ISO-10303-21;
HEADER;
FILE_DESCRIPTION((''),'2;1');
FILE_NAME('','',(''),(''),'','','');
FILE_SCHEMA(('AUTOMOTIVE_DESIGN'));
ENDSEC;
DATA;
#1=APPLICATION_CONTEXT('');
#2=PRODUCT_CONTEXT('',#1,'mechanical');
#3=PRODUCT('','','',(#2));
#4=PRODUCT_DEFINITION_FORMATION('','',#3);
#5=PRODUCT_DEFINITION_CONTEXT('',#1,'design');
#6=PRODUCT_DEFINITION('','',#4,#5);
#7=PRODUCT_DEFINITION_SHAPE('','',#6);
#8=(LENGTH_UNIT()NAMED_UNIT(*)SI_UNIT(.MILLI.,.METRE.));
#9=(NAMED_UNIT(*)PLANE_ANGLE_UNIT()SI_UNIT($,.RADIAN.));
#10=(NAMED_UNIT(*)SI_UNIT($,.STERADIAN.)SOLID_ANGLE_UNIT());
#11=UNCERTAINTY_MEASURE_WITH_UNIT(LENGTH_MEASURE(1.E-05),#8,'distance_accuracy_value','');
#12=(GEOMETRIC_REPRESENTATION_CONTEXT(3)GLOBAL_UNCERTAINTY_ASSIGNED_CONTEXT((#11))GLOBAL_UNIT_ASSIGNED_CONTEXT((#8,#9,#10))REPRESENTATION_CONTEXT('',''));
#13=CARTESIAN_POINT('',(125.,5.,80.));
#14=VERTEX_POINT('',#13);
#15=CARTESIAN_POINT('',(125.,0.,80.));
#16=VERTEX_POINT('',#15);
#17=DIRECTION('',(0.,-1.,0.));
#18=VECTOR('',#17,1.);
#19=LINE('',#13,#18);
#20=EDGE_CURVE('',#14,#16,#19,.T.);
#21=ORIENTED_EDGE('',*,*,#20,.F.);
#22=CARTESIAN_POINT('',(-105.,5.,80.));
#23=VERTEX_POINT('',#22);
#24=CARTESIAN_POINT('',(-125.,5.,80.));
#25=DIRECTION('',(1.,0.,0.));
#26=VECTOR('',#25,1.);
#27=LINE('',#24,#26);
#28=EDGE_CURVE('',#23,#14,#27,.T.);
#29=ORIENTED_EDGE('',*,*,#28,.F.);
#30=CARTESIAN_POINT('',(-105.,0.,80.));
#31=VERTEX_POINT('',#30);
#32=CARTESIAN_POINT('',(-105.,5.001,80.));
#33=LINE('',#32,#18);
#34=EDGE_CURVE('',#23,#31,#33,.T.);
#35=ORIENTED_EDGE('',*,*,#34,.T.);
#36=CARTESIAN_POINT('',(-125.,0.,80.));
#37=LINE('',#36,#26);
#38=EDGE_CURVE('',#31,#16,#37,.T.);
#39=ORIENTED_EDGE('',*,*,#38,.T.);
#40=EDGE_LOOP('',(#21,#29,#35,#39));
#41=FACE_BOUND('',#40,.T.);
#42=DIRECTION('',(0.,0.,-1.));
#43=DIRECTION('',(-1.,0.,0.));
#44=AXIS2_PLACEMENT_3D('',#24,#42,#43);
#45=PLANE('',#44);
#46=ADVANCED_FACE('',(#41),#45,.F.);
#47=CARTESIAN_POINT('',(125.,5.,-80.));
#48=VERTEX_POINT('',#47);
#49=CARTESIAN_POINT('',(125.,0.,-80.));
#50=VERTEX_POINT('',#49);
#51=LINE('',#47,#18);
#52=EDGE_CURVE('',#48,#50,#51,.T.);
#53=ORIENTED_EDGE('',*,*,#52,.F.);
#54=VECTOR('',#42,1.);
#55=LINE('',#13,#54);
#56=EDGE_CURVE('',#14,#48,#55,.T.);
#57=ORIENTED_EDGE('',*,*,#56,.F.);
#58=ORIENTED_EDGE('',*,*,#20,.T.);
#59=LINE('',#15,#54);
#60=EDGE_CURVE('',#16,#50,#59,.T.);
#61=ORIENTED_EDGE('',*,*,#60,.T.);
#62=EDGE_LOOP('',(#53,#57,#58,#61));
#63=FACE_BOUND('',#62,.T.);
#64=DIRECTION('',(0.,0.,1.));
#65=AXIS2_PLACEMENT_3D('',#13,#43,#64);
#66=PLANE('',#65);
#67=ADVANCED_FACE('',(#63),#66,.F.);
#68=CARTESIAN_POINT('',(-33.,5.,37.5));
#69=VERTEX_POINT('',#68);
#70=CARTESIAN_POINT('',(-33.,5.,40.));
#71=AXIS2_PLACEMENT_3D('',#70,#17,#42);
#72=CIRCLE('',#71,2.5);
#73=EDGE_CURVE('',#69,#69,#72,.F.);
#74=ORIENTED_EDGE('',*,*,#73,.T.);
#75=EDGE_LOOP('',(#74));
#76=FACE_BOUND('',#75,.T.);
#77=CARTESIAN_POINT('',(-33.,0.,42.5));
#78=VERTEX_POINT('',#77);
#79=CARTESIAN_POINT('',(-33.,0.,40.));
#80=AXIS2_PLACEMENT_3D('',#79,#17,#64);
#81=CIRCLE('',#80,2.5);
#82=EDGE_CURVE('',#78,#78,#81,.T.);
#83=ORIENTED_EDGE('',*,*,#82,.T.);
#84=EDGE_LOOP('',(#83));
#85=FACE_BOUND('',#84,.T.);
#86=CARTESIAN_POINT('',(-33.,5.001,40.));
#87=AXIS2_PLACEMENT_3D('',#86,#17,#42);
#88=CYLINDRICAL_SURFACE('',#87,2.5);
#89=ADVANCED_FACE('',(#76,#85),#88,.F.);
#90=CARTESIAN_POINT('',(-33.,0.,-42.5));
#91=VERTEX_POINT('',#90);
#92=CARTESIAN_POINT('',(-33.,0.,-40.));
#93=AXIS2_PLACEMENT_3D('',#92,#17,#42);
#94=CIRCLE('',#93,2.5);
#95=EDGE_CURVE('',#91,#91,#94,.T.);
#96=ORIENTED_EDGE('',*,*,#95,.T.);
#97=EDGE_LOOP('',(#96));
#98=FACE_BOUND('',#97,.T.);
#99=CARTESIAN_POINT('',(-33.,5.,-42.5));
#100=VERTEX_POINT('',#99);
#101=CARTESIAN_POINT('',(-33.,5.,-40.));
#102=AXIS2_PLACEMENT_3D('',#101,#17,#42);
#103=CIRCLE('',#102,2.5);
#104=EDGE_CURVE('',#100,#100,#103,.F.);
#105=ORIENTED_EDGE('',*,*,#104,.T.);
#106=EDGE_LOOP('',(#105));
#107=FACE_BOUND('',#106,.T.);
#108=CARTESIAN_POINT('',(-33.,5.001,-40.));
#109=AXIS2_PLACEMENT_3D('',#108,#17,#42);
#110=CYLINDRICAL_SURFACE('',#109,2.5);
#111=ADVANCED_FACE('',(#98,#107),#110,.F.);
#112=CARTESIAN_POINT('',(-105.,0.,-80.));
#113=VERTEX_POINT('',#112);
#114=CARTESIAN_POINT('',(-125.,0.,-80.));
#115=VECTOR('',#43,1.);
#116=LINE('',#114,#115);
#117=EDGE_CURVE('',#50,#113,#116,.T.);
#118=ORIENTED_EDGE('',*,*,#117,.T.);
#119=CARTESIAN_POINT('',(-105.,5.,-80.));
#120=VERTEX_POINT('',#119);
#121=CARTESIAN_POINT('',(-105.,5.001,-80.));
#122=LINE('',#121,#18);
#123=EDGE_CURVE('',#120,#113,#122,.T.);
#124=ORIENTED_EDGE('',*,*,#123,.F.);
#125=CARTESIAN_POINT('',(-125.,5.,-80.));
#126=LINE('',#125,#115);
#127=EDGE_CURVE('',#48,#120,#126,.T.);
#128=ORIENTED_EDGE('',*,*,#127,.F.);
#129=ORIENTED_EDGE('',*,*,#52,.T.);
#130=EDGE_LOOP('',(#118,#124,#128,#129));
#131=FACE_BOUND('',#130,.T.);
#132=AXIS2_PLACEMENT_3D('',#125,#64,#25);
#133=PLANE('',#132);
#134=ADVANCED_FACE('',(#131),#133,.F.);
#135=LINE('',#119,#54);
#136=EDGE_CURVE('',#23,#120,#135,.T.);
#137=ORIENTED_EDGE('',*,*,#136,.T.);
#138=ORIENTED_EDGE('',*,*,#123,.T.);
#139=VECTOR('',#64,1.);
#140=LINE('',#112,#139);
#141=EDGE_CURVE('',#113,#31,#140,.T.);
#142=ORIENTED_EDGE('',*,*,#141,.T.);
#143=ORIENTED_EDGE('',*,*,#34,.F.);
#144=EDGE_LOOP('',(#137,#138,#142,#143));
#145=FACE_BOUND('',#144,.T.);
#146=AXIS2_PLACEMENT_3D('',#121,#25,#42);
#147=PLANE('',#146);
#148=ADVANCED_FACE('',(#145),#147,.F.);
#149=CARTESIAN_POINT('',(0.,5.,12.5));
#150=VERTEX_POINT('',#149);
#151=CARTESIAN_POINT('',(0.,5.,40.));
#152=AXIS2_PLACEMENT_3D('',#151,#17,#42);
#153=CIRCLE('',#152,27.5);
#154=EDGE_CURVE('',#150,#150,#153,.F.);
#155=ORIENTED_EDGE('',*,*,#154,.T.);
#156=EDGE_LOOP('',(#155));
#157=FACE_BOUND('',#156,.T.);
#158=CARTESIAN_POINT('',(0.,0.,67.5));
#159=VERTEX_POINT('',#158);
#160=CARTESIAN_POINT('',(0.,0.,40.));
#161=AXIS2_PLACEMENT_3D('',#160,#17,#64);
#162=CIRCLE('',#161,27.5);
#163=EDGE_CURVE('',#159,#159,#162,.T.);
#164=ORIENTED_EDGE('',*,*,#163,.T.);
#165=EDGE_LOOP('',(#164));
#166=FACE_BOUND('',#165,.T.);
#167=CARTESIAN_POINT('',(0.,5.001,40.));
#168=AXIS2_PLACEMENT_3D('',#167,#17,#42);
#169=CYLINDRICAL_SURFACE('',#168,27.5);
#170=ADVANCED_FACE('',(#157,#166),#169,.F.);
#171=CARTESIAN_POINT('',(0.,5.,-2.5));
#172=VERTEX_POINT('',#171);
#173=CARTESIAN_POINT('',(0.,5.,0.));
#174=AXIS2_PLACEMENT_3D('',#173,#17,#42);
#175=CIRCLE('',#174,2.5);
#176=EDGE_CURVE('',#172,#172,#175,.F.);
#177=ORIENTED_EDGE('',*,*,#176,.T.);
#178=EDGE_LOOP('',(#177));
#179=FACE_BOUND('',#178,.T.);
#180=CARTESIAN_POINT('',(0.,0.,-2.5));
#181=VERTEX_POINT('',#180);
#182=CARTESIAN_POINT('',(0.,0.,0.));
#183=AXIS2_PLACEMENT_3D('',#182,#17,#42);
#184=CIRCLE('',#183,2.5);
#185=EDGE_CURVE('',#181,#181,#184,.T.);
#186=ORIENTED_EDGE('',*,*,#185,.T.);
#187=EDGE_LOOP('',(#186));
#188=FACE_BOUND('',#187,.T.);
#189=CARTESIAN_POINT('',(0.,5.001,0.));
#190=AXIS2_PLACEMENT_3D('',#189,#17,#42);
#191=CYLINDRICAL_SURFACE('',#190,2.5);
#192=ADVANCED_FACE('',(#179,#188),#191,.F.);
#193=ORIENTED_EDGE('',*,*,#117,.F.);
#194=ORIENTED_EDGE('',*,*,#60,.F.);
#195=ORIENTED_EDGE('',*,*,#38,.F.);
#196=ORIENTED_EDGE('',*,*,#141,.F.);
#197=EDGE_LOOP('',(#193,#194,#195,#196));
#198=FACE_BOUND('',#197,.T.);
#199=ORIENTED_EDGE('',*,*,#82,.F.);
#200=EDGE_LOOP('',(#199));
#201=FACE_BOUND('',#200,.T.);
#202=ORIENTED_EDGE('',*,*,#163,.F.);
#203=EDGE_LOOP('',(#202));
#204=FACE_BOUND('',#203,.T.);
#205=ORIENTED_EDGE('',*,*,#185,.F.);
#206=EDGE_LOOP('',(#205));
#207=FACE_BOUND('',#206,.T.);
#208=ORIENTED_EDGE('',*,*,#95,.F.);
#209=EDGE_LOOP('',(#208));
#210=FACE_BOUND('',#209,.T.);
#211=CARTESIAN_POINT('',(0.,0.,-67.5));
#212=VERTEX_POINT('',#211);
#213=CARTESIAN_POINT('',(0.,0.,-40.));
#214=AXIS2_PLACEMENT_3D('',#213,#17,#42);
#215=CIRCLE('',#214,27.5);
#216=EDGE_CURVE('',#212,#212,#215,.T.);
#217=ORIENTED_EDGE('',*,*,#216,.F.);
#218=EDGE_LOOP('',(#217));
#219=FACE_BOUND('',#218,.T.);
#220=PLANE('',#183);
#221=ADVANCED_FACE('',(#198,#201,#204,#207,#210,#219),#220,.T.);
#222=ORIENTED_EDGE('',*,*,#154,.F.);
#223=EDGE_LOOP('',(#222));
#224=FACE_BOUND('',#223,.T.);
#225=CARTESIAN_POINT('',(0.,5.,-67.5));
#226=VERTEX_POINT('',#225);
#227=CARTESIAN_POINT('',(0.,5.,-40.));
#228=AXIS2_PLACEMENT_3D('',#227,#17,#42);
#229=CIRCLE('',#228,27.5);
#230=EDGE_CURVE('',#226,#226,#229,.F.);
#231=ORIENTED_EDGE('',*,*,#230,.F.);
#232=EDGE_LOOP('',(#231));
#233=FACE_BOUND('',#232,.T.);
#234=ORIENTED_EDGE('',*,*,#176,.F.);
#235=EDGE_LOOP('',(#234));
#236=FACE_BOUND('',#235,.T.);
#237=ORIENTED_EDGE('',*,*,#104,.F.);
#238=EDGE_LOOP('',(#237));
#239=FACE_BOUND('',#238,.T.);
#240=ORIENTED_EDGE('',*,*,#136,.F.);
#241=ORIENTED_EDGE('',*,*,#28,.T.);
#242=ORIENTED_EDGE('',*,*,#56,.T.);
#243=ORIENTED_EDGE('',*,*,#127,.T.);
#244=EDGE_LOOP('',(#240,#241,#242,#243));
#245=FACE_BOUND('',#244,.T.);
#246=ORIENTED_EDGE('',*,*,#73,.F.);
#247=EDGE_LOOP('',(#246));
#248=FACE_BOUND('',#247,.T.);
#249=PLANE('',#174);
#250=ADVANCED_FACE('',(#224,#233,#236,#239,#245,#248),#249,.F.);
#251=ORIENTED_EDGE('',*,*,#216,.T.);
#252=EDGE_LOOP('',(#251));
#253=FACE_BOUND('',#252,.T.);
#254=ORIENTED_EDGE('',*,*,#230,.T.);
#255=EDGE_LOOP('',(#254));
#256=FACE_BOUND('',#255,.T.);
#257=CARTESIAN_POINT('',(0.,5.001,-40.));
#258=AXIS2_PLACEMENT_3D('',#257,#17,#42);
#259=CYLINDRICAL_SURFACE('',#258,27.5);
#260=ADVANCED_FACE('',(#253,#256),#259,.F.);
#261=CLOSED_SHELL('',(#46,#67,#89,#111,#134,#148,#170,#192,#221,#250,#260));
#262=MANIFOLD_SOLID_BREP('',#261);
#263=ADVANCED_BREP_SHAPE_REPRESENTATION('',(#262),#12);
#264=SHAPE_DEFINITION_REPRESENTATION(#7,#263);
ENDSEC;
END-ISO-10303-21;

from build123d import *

# Parameters (mm, degrees)
SKETCH_1_W          = 250
SKETCH_1_H          = 160
EXTRUDE_1_DEPTH     = 5
CUT_EXTRUDE_1_REACH = 150.492
SKETCH_2_R          = 27.5
SKETCH_2_R_2        = 2.5
SKETCH_2_W          = 40
SKETCH_2_H          = 160


with BuildPart() as part:
    # 草图1 → 凸台-拉伸1 (new body)
    with BuildSketch(Plane(origin=(0, 0, 0), x_dir=(1, 0, 0), z_dir=(0, 1, 0))):
        Rectangle(SKETCH_1_W, SKETCH_1_H)
    extrude(amount=EXTRUDE_1_DEPTH)

    # 草图2 → 切除-拉伸1 (cut, up to next)
    with BuildSketch(Plane.XZ, mode=Mode.PRIVATE) as cut_extrude_1_sk1:
        with Locations(Location((0, -40, 0), (0, 0, 270))):
            Circle(SKETCH_2_R)
    cut_extrude_1_tool1 = extrude(cut_extrude_1_sk1.sketch, amount=-CUT_EXTRUDE_1_REACH, mode=Mode.PRIVATE) & part.part
    # 草图2 → 切除-拉伸1 (cut, up to next)
    with BuildSketch(Plane.XZ, mode=Mode.PRIVATE) as cut_extrude_1_sk2:
        with Locations(Location((-33, -40, 0), (0, 0, 270))):
            Circle(SKETCH_2_R_2)
    cut_extrude_1_tool2 = extrude(cut_extrude_1_sk2.sketch, amount=-CUT_EXTRUDE_1_REACH, mode=Mode.PRIVATE) & part.part
    # 草图2 → 切除-拉伸1 (cut, up to next)
    with BuildSketch(Plane.XZ, mode=Mode.PRIVATE) as cut_extrude_1_sk3:
        with Locations(Location((-33, 40, 0), (0, 0, 270))):
            Circle(SKETCH_2_R_2)
    cut_extrude_1_tool3 = extrude(cut_extrude_1_sk3.sketch, amount=-CUT_EXTRUDE_1_REACH, mode=Mode.PRIVATE) & part.part
    # 草图2 → 切除-拉伸1 (cut, up to next)
    with BuildSketch(Plane.XZ, mode=Mode.PRIVATE) as cut_extrude_1_sk4:
        with Locations(Location((0, 40, 0), (0, 0, 270))):
            Circle(SKETCH_2_R)
    cut_extrude_1_tool4 = extrude(cut_extrude_1_sk4.sketch, amount=-CUT_EXTRUDE_1_REACH, mode=Mode.PRIVATE) & part.part
    # 草图2 → 切除-拉伸1 (cut, up to next)
    with BuildSketch(Plane.XZ, mode=Mode.PRIVATE) as cut_extrude_1_sk5:
        with Locations(Location((0, 0, 0), (0, 0, 270))):
            Circle(SKETCH_2_R_2)
    cut_extrude_1_tool5 = extrude(cut_extrude_1_sk5.sketch, amount=-CUT_EXTRUDE_1_REACH, mode=Mode.PRIVATE) & part.part
    # 草图2 → 切除-拉伸1 (cut, up to next)
    with BuildSketch(Plane.XZ, mode=Mode.PRIVATE) as cut_extrude_1_sk6:
        with Locations((-125, 0)):
            Rectangle(SKETCH_2_W, SKETCH_2_H)
    cut_extrude_1_tool6 = extrude(cut_extrude_1_sk6.sketch, amount=-CUT_EXTRUDE_1_REACH, mode=Mode.PRIVATE) & part.part
    add(cut_extrude_1_tool1.solids().sort_by_distance((0, 0, -40))[0], mode=Mode.SUBTRACT)
    add(cut_extrude_1_tool2.solids().sort_by_distance((-33, 0, -40))[0], mode=Mode.SUBTRACT)
    add(cut_extrude_1_tool3.solids().sort_by_distance((-33, 0, 40))[0], mode=Mode.SUBTRACT)
    add(cut_extrude_1_tool4.solids().sort_by_distance((0, 0, 40))[0], mode=Mode.SUBTRACT)
    add(cut_extrude_1_tool5.solids().sort_by_distance((0, 0, 0))[0], mode=Mode.SUBTRACT)
    add(cut_extrude_1_tool6.solids().sort_by_distance((-125, 0, 0))[0], mode=Mode.SUBTRACT)


solid = part.part
